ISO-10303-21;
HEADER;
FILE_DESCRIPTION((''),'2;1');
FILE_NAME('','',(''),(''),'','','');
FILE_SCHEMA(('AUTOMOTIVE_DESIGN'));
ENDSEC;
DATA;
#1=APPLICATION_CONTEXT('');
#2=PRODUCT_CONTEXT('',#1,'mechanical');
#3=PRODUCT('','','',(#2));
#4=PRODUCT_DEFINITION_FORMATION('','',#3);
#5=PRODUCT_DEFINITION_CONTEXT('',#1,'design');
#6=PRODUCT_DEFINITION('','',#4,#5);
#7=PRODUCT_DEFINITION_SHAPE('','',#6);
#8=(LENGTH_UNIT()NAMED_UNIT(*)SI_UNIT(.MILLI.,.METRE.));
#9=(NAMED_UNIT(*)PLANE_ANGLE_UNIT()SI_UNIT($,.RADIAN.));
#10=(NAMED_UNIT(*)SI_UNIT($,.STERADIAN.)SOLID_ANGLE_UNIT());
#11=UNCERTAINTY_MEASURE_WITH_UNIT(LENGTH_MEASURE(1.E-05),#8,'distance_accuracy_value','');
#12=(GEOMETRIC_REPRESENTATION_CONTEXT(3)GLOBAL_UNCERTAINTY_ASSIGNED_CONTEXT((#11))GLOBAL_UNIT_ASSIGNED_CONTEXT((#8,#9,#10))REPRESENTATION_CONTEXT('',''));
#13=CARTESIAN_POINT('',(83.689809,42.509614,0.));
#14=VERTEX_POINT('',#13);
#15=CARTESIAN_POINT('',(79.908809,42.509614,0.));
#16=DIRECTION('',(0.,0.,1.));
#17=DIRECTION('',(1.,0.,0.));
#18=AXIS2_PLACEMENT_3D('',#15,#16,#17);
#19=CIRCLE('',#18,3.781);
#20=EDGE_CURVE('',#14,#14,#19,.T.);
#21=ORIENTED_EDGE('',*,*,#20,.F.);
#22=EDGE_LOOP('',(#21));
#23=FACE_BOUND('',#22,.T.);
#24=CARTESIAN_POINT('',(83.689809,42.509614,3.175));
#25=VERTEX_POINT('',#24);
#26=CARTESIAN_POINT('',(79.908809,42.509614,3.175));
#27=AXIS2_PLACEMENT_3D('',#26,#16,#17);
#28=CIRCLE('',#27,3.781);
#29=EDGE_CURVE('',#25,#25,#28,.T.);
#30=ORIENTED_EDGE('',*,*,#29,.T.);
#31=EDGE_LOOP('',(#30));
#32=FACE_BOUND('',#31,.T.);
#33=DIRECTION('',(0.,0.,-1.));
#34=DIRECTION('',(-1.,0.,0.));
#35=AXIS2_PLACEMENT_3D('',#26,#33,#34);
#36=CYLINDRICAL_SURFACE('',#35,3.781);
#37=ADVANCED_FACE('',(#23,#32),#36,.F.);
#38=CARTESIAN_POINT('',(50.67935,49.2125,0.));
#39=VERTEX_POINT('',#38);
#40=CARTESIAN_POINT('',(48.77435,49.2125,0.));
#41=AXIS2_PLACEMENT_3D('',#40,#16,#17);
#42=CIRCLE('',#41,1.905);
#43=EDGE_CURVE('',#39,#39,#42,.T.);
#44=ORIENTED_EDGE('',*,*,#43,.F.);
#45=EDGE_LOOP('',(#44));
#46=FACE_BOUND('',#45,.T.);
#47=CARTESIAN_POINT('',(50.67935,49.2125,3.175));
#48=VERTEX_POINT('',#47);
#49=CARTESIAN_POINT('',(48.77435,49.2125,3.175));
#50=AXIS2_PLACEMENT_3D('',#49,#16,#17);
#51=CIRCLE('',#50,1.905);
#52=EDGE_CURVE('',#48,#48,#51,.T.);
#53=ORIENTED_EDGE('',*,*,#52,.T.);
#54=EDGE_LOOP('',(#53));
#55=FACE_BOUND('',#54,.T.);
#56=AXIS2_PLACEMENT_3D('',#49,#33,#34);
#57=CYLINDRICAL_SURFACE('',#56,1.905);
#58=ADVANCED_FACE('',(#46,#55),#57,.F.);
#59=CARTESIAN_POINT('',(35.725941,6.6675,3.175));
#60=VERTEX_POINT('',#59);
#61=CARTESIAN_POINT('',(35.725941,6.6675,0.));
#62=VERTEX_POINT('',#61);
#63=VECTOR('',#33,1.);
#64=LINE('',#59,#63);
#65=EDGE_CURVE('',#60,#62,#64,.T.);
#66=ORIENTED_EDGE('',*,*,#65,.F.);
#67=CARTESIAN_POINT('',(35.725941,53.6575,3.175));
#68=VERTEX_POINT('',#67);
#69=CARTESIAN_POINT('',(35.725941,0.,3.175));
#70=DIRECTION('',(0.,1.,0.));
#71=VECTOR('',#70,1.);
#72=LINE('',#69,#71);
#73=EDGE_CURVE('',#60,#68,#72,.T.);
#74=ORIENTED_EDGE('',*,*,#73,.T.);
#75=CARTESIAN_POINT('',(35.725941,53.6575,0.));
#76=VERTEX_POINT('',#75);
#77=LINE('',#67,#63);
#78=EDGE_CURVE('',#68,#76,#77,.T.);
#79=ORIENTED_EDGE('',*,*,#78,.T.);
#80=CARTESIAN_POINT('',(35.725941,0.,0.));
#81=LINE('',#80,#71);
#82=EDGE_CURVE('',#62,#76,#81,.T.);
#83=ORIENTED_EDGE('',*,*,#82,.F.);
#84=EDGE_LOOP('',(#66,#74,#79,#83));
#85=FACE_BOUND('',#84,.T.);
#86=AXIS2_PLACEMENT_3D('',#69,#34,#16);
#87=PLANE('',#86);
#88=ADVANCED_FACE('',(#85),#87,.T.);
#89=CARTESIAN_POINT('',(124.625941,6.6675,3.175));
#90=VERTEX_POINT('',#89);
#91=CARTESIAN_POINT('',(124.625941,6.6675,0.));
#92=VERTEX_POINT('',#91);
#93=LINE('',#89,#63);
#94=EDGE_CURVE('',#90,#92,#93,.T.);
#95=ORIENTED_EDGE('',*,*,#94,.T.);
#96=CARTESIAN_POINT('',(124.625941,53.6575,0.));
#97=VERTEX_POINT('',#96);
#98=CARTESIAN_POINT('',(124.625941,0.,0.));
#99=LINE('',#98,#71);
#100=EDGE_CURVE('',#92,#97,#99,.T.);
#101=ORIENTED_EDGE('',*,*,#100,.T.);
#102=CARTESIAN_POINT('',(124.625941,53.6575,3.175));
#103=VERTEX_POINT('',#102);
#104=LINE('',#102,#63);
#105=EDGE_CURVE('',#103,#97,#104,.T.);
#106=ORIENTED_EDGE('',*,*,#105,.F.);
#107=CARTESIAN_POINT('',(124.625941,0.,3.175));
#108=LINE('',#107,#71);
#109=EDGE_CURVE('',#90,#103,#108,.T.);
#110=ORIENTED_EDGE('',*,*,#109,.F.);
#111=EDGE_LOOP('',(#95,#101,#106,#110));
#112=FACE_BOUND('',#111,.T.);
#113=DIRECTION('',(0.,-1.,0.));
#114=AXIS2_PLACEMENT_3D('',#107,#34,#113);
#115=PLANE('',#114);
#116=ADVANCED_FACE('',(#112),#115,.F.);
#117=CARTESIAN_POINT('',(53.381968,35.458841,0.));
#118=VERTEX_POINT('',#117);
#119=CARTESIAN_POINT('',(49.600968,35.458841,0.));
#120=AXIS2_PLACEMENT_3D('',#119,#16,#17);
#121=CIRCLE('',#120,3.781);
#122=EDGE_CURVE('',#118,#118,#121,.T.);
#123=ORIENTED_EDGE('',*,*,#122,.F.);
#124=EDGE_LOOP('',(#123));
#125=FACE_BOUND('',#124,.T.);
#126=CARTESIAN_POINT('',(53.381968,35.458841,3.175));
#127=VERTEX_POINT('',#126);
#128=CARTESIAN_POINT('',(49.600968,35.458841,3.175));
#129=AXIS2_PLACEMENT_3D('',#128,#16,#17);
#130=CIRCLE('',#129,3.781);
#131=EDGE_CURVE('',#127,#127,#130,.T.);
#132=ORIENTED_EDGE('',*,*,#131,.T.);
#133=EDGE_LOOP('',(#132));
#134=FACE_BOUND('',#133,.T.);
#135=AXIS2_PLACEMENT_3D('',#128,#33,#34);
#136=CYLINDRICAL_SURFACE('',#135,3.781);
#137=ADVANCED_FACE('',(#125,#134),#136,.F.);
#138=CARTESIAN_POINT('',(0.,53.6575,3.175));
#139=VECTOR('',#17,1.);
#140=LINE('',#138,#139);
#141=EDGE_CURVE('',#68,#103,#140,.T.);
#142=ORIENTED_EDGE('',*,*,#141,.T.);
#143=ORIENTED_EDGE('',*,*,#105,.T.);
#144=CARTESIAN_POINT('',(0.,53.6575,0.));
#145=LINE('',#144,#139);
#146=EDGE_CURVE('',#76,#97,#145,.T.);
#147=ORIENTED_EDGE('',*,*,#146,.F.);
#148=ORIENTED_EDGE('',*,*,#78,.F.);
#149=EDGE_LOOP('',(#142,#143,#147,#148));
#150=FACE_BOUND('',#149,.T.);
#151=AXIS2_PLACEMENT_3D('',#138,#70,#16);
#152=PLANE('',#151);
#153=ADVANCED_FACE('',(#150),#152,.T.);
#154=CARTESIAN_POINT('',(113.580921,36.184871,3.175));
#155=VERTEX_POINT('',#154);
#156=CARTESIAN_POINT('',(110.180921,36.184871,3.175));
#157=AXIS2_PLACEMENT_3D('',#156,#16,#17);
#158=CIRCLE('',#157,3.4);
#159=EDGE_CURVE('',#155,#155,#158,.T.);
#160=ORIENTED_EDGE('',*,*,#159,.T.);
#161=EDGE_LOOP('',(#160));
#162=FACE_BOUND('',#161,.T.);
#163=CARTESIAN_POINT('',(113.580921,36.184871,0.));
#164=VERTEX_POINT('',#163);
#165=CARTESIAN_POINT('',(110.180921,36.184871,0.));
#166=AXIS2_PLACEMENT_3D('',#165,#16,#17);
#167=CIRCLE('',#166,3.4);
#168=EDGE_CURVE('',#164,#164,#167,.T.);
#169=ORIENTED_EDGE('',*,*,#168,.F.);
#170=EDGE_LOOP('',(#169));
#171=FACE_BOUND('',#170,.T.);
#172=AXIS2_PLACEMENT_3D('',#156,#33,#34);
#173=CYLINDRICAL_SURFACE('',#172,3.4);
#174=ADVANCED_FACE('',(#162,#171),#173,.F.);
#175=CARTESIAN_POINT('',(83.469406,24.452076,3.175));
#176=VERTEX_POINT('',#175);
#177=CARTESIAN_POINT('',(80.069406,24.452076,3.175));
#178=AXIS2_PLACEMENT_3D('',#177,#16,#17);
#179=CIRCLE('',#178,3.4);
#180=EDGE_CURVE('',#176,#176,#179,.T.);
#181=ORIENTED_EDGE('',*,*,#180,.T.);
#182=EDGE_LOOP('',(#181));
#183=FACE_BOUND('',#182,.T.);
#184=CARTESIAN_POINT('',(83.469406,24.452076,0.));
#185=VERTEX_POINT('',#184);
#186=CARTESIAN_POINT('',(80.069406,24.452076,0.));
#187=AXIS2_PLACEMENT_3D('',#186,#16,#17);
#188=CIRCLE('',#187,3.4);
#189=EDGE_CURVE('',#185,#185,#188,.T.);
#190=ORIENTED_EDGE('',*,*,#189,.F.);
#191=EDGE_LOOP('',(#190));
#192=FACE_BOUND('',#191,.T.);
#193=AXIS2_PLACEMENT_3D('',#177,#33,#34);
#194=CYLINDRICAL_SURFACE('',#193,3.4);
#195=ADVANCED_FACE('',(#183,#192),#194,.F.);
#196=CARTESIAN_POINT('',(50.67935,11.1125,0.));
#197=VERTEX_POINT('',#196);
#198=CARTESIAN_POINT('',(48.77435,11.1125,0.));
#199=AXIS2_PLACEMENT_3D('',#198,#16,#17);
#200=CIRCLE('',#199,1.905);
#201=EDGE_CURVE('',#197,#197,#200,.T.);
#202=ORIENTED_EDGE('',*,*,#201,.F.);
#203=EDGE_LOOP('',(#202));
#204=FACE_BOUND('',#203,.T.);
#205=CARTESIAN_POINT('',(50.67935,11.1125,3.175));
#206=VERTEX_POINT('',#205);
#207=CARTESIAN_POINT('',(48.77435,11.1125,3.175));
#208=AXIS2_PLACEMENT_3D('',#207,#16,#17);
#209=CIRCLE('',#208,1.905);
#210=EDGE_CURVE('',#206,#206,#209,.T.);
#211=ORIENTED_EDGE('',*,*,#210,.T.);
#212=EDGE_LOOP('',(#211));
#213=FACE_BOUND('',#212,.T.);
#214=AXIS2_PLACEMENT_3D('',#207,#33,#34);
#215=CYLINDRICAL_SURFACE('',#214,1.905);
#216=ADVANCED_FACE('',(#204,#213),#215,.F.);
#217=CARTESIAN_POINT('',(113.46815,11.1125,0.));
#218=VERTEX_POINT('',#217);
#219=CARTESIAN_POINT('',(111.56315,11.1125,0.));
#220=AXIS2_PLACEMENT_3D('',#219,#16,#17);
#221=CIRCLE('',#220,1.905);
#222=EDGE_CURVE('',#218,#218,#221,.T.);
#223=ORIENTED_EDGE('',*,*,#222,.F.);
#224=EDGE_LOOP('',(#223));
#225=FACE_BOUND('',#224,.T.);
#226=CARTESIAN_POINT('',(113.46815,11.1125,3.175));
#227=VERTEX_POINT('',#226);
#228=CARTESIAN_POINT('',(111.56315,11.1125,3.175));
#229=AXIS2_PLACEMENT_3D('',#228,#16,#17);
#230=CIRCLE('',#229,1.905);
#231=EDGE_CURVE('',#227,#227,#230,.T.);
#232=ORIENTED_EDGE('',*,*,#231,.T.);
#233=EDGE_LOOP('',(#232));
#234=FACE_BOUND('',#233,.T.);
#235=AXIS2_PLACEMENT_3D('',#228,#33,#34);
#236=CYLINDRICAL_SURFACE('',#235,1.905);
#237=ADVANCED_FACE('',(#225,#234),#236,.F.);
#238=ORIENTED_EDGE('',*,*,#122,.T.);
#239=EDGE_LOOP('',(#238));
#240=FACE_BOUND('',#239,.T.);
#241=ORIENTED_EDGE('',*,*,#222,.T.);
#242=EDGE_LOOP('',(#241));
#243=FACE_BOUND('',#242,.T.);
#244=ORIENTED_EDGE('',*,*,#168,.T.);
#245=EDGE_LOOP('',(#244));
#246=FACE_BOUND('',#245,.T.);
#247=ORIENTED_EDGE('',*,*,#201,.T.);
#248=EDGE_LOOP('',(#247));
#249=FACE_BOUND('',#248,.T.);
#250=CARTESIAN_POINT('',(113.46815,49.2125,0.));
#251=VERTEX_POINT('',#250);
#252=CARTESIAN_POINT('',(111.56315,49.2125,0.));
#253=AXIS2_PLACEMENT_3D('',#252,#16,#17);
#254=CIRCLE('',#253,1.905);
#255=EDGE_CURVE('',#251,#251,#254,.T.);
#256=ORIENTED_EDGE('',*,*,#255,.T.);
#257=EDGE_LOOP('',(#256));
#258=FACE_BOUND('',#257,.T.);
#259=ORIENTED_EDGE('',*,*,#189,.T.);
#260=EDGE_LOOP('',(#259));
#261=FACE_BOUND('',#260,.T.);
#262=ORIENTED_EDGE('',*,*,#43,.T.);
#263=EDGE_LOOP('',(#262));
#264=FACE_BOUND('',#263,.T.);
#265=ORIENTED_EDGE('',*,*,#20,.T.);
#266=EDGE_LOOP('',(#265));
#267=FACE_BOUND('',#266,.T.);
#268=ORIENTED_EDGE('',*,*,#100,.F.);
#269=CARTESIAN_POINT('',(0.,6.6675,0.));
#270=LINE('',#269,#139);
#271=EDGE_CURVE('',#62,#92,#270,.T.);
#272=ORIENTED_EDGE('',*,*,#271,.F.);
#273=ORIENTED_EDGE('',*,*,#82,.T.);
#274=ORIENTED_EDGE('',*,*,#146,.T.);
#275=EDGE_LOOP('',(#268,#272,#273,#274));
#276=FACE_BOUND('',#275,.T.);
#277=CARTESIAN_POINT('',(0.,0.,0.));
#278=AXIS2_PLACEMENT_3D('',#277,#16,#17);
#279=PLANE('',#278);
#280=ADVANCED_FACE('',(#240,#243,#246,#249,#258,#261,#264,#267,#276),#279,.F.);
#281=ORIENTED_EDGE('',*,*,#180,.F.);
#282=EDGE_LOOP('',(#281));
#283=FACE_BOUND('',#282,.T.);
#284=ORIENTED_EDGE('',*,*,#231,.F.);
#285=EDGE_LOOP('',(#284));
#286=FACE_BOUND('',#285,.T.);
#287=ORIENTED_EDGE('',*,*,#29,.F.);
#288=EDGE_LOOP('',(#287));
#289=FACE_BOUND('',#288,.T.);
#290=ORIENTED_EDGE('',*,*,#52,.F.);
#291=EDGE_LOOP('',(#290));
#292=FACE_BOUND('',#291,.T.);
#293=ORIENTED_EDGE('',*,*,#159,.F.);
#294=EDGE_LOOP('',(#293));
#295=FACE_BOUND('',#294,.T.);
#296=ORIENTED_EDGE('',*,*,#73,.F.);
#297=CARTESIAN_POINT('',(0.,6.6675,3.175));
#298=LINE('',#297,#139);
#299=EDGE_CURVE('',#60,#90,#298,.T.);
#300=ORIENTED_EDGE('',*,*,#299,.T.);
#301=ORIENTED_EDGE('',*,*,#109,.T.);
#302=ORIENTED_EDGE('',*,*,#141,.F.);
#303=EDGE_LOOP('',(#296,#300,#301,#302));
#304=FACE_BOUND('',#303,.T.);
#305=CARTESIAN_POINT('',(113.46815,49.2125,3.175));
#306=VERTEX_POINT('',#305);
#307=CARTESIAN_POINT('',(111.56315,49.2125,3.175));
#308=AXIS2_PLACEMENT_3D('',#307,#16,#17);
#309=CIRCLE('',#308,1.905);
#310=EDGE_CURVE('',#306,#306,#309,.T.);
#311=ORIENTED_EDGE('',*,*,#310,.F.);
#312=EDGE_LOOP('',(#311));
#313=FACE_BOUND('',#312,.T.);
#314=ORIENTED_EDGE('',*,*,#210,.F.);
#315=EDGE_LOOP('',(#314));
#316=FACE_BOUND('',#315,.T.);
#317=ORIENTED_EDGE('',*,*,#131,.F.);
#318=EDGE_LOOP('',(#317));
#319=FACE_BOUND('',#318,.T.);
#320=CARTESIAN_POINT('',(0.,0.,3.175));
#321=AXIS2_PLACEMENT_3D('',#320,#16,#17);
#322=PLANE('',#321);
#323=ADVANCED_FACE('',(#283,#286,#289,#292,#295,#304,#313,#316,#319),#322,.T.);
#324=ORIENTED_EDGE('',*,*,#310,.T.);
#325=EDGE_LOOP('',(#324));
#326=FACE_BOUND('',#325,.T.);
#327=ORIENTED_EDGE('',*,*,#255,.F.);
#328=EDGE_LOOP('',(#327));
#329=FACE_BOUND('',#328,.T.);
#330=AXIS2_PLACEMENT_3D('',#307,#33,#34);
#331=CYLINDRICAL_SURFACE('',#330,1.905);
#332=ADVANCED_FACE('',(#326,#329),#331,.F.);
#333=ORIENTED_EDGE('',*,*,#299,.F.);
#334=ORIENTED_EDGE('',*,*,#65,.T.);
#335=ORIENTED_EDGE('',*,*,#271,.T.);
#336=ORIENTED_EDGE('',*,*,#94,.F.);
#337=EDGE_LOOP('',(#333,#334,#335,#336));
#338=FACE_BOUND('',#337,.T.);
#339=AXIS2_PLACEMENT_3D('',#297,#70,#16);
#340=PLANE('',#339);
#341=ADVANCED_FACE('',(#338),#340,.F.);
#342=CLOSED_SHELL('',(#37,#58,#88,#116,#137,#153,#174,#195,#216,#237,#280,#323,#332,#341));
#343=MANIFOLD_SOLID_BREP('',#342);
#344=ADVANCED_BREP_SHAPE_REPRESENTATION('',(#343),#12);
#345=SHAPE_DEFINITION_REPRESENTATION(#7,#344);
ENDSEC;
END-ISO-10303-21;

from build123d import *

# Parameters (mm, degrees)
SKETCH1_W           = 88.9
SKETCH1_H           = 46.99
SKETCH1_R           = 1.905
BOSS_EXTRUDE1_DEPTH = 3.175


with BuildPart() as part:
    # Sketch1 → Boss-Extrude1 (new body)
    with BuildSketch(Plane.XY):
        with Locations((80.175941247, 30.1625)):
            Rectangle(SKETCH1_W, SKETCH1_H)
        with Locations((48.77435, 49.2125)):
            Circle(SKETCH1_R, mode=Mode.SUBTRACT)
        with Locations((111.56315, 49.2125)):
            Circle(SKETCH1_R, mode=Mode.SUBTRACT)
        with Locations((48.77435, 11.1125)):
            Circle(SKETCH1_R, mode=Mode.SUBTRACT)
        with Locations((111.56315, 11.1125)):
            Circle(SKETCH1_R, mode=Mode.SUBTRACT)
        with BuildLine():
            ThreePointArc((83.469406447, 24.4520759), (80.069406447, 27.8520759), (76.669406447, 24.4520759))
            ThreePointArc((76.669406447, 24.4520759), (80.069406447, 21.0520759), (83.469406447, 24.4520759))
        make_face(mode=Mode.SUBTRACT)
        with BuildLine():
            ThreePointArc((106.780920888, 36.184870981), (110.180920888, 32.784870981), (113.580920888, 36.184870981))
            ThreePointArc((113.580920888, 36.184870981), (110.180920888, 39.584870981), (106.780920888, 36.184870981))
        make_face(mode=Mode.SUBTRACT)
        with BuildLine():
            ThreePointArc((53.381968416, 35.458841184), (49.600968416, 39.239841184), (45.819968416, 35.458841184))
            ThreePointArc((45.819968416, 35.458841184), (49.600968416, 31.677841184), (53.381968416, 35.458841184))
        make_face(mode=Mode.SUBTRACT)
        with BuildLine():
            ThreePointArc((83.689808954, 42.509614322), (79.908808954, 46.290614322), (76.127808954, 42.509614322))
            ThreePointArc((76.127808954, 42.509614322), (79.908808954, 38.728614322), (83.689808954, 42.509614322))
        make_face(mode=Mode.SUBTRACT)
    extrude(amount=BOSS_EXTRUDE1_DEPTH)


solid = part.part
